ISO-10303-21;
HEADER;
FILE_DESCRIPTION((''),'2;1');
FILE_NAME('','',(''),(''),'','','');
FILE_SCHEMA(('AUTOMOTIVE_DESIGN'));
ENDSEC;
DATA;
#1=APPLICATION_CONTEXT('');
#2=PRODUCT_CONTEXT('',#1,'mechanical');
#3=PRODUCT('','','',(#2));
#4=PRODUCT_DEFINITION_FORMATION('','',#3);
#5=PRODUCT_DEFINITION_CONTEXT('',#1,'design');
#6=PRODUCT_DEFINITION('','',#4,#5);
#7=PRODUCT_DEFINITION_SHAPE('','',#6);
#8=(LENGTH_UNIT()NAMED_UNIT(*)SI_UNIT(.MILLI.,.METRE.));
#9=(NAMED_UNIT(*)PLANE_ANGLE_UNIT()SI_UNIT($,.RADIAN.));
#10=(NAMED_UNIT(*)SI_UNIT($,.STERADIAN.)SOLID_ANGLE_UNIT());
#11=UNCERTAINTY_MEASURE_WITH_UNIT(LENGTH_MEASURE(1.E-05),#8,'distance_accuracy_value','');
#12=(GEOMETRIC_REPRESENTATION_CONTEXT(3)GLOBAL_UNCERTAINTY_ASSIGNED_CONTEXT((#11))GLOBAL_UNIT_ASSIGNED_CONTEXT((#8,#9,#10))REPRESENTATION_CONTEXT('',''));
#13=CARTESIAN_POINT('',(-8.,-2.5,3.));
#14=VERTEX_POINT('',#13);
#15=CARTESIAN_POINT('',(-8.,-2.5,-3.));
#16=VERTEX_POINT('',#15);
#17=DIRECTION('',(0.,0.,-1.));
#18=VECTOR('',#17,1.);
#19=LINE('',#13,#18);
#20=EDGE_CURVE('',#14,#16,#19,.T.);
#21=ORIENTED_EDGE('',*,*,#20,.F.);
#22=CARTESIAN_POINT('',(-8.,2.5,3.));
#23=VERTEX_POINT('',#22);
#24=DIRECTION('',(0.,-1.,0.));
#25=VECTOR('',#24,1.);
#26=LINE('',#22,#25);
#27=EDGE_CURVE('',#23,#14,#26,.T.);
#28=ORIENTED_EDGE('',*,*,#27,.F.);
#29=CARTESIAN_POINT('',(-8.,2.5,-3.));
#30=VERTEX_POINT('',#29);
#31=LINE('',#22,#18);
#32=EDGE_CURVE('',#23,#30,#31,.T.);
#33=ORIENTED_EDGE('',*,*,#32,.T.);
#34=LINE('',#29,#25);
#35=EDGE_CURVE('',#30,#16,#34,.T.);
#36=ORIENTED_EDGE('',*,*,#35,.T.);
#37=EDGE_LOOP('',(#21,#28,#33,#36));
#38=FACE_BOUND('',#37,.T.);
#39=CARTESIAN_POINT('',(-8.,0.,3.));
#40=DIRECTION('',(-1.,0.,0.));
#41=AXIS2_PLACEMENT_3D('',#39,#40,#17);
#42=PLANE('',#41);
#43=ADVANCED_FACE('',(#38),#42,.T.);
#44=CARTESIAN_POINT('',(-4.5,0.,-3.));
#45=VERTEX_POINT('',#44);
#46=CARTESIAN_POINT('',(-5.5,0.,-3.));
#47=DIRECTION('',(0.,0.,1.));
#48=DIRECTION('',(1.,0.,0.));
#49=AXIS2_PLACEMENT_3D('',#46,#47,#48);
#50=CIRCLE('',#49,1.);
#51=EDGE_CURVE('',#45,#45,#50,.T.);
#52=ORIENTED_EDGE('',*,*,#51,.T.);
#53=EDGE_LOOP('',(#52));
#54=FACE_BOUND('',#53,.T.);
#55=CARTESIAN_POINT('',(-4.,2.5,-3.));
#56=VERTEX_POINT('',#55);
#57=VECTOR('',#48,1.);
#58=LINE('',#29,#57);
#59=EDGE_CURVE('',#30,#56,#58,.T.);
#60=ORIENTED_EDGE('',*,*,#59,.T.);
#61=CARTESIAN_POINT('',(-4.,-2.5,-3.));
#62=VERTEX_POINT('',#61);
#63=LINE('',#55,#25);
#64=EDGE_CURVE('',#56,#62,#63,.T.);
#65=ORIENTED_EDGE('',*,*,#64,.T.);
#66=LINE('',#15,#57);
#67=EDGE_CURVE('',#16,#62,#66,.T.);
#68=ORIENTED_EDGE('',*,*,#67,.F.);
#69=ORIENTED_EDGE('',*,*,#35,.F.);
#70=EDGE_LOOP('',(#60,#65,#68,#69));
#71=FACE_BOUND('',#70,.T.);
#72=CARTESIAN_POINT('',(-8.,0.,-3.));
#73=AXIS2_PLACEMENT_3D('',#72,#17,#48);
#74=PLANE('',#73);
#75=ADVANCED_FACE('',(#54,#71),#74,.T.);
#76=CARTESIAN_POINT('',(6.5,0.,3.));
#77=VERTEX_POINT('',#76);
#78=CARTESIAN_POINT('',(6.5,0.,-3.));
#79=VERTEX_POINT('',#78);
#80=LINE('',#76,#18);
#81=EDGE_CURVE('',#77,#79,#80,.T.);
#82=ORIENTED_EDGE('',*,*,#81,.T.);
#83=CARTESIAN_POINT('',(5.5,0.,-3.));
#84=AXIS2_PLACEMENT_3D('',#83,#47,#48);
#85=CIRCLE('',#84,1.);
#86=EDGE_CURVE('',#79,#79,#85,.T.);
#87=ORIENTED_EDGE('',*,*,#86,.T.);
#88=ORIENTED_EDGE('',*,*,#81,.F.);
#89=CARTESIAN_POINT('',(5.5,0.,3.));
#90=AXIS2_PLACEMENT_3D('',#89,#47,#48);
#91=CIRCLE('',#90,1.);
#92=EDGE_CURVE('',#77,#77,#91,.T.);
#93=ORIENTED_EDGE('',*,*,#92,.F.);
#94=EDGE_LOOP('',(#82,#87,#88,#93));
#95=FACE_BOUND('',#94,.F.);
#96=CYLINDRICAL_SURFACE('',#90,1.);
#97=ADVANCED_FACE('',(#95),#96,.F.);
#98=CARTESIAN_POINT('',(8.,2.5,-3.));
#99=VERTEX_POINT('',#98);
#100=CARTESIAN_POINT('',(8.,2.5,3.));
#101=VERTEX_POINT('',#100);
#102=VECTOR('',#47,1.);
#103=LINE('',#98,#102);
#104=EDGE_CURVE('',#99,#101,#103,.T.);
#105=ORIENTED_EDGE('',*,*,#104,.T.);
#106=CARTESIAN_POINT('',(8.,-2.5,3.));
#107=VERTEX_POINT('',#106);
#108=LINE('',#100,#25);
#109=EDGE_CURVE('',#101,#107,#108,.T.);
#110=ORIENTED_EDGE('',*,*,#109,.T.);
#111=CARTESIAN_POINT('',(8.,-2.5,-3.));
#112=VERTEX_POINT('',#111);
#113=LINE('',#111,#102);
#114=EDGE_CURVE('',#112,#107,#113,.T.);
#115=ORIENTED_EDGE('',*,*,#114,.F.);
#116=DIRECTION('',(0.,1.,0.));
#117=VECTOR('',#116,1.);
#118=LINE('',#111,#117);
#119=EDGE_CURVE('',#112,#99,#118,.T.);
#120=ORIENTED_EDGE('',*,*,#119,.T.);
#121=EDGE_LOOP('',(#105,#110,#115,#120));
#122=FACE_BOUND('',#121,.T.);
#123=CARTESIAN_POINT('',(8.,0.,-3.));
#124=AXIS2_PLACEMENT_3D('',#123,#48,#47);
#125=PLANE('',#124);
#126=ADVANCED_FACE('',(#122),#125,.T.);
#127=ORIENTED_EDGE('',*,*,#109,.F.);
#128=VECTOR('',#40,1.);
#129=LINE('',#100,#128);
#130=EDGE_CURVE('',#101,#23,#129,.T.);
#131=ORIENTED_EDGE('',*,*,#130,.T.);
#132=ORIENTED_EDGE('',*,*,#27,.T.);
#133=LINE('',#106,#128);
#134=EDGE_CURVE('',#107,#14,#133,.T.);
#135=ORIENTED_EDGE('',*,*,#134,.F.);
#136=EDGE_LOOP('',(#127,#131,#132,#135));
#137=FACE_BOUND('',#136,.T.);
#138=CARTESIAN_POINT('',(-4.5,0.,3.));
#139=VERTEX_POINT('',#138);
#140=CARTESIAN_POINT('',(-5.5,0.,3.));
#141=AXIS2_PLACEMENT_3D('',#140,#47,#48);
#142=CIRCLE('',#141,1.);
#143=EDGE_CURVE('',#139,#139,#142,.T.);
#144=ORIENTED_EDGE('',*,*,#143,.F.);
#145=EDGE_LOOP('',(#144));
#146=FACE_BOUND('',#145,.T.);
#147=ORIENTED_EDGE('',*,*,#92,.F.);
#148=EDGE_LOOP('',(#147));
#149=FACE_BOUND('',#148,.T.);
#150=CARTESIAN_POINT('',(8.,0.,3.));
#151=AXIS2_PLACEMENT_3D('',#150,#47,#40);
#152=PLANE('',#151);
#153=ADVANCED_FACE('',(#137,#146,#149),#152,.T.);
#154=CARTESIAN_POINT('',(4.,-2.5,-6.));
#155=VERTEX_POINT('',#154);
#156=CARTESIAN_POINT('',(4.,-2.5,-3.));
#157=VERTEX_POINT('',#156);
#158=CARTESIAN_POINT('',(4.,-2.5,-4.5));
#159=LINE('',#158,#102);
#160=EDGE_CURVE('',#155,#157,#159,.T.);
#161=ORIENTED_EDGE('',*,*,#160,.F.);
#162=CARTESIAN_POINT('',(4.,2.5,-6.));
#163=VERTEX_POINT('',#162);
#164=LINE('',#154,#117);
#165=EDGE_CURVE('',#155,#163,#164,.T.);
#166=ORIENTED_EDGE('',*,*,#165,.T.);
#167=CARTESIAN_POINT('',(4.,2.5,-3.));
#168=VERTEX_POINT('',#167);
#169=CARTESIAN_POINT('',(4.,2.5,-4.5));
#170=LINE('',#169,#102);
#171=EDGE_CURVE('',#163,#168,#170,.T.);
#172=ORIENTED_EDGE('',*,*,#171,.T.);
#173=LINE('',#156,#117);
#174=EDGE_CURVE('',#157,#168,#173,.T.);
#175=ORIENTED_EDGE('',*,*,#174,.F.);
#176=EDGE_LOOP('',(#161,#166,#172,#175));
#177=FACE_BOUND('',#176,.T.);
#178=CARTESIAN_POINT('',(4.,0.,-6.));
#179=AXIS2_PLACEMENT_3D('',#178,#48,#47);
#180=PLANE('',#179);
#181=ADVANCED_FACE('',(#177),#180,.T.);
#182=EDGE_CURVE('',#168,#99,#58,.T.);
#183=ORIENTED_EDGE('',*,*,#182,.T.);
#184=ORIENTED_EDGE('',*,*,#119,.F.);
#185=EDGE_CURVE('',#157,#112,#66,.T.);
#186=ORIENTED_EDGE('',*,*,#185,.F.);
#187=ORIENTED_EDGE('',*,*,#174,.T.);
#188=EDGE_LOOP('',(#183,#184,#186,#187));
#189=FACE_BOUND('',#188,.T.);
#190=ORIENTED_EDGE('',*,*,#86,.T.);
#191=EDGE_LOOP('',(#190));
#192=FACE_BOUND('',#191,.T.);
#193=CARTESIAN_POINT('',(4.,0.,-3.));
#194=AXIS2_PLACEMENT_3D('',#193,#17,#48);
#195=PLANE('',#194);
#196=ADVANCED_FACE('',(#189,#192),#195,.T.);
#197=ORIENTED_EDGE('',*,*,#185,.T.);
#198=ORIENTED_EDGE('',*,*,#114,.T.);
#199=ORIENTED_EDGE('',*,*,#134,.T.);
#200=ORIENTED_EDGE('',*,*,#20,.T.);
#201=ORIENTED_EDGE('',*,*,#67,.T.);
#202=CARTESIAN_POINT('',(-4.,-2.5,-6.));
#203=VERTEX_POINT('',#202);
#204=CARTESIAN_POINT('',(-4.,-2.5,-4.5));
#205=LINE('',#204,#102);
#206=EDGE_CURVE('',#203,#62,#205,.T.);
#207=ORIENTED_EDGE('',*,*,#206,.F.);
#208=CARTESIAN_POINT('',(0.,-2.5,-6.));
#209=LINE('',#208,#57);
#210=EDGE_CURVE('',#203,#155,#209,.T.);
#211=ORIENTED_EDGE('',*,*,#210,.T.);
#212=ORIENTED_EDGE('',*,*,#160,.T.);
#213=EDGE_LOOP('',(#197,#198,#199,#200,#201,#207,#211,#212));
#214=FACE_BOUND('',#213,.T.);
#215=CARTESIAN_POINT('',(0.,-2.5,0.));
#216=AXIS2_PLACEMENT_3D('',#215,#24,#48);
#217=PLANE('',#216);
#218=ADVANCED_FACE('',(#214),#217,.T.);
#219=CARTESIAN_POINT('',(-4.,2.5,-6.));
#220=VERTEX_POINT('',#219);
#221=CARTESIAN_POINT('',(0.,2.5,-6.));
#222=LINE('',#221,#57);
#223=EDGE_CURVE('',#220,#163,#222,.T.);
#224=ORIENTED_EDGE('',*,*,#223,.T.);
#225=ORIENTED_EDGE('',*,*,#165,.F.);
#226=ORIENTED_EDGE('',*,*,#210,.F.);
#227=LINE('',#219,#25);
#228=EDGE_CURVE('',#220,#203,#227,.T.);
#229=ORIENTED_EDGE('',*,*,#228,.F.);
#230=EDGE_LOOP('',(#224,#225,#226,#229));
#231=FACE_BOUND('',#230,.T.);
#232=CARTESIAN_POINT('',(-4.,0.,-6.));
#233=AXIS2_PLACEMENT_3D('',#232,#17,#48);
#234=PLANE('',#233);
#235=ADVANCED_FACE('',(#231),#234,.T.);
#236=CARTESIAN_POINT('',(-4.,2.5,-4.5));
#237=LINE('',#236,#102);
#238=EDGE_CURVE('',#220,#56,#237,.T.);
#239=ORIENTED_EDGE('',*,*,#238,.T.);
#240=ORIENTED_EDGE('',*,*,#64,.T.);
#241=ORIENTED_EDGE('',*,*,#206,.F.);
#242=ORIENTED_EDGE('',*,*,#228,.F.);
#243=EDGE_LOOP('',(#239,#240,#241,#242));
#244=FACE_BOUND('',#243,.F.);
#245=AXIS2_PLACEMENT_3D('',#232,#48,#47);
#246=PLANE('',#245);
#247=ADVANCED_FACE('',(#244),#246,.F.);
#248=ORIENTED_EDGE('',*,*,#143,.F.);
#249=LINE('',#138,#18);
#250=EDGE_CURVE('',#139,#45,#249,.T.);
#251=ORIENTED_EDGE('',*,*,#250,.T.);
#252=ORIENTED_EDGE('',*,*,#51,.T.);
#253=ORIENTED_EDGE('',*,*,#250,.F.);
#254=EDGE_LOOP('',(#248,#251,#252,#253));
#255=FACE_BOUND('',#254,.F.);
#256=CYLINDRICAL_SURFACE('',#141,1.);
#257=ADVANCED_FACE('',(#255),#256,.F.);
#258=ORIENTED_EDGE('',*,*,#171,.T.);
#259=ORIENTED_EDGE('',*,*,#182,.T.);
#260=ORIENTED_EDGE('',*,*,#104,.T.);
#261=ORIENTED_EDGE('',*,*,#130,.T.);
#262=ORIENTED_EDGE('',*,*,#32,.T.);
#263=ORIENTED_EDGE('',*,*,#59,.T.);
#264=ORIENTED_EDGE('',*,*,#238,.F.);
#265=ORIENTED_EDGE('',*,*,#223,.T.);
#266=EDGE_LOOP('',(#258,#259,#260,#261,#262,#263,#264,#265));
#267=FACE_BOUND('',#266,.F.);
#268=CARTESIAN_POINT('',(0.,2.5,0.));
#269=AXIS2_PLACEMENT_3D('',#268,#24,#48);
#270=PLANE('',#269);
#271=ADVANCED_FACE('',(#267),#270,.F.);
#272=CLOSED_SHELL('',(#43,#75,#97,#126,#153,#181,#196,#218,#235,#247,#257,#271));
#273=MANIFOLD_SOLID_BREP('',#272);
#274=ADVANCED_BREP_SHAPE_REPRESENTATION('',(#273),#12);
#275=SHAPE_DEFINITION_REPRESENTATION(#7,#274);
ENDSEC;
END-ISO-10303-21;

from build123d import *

# Parameters (mm, degrees)
F0_W     = 8
F0_H     = 3
F1_DEPTH = 2.5
F2_R     = 1
F3_DEPTH = 9.001


with BuildPart() as f1:
    # F0 (on Front) → F1 (new body, symmetric)
    with BuildSketch(Plane.XZ):
        Polygon((8, -3), (8, 3), (-8, 3), (-8, -3), (-4, -3), (4, -3), align=None)
        with Locations((0, -4.5)):
            Rectangle(F0_W, F0_H)
    extrude(amount=F1_DEPTH, both=True)

    # F2 (on face) → F3 (cut, through all)
    with BuildSketch(Plane.XY.offset(3)):
        with Locations((-5.5, 0)):
            Circle(F2_R)
        with Locations((5.5, 0)):
            Circle(F2_R)
    extrude(amount=-F3_DEPTH, mode=Mode.SUBTRACT)


solid = f1.part
